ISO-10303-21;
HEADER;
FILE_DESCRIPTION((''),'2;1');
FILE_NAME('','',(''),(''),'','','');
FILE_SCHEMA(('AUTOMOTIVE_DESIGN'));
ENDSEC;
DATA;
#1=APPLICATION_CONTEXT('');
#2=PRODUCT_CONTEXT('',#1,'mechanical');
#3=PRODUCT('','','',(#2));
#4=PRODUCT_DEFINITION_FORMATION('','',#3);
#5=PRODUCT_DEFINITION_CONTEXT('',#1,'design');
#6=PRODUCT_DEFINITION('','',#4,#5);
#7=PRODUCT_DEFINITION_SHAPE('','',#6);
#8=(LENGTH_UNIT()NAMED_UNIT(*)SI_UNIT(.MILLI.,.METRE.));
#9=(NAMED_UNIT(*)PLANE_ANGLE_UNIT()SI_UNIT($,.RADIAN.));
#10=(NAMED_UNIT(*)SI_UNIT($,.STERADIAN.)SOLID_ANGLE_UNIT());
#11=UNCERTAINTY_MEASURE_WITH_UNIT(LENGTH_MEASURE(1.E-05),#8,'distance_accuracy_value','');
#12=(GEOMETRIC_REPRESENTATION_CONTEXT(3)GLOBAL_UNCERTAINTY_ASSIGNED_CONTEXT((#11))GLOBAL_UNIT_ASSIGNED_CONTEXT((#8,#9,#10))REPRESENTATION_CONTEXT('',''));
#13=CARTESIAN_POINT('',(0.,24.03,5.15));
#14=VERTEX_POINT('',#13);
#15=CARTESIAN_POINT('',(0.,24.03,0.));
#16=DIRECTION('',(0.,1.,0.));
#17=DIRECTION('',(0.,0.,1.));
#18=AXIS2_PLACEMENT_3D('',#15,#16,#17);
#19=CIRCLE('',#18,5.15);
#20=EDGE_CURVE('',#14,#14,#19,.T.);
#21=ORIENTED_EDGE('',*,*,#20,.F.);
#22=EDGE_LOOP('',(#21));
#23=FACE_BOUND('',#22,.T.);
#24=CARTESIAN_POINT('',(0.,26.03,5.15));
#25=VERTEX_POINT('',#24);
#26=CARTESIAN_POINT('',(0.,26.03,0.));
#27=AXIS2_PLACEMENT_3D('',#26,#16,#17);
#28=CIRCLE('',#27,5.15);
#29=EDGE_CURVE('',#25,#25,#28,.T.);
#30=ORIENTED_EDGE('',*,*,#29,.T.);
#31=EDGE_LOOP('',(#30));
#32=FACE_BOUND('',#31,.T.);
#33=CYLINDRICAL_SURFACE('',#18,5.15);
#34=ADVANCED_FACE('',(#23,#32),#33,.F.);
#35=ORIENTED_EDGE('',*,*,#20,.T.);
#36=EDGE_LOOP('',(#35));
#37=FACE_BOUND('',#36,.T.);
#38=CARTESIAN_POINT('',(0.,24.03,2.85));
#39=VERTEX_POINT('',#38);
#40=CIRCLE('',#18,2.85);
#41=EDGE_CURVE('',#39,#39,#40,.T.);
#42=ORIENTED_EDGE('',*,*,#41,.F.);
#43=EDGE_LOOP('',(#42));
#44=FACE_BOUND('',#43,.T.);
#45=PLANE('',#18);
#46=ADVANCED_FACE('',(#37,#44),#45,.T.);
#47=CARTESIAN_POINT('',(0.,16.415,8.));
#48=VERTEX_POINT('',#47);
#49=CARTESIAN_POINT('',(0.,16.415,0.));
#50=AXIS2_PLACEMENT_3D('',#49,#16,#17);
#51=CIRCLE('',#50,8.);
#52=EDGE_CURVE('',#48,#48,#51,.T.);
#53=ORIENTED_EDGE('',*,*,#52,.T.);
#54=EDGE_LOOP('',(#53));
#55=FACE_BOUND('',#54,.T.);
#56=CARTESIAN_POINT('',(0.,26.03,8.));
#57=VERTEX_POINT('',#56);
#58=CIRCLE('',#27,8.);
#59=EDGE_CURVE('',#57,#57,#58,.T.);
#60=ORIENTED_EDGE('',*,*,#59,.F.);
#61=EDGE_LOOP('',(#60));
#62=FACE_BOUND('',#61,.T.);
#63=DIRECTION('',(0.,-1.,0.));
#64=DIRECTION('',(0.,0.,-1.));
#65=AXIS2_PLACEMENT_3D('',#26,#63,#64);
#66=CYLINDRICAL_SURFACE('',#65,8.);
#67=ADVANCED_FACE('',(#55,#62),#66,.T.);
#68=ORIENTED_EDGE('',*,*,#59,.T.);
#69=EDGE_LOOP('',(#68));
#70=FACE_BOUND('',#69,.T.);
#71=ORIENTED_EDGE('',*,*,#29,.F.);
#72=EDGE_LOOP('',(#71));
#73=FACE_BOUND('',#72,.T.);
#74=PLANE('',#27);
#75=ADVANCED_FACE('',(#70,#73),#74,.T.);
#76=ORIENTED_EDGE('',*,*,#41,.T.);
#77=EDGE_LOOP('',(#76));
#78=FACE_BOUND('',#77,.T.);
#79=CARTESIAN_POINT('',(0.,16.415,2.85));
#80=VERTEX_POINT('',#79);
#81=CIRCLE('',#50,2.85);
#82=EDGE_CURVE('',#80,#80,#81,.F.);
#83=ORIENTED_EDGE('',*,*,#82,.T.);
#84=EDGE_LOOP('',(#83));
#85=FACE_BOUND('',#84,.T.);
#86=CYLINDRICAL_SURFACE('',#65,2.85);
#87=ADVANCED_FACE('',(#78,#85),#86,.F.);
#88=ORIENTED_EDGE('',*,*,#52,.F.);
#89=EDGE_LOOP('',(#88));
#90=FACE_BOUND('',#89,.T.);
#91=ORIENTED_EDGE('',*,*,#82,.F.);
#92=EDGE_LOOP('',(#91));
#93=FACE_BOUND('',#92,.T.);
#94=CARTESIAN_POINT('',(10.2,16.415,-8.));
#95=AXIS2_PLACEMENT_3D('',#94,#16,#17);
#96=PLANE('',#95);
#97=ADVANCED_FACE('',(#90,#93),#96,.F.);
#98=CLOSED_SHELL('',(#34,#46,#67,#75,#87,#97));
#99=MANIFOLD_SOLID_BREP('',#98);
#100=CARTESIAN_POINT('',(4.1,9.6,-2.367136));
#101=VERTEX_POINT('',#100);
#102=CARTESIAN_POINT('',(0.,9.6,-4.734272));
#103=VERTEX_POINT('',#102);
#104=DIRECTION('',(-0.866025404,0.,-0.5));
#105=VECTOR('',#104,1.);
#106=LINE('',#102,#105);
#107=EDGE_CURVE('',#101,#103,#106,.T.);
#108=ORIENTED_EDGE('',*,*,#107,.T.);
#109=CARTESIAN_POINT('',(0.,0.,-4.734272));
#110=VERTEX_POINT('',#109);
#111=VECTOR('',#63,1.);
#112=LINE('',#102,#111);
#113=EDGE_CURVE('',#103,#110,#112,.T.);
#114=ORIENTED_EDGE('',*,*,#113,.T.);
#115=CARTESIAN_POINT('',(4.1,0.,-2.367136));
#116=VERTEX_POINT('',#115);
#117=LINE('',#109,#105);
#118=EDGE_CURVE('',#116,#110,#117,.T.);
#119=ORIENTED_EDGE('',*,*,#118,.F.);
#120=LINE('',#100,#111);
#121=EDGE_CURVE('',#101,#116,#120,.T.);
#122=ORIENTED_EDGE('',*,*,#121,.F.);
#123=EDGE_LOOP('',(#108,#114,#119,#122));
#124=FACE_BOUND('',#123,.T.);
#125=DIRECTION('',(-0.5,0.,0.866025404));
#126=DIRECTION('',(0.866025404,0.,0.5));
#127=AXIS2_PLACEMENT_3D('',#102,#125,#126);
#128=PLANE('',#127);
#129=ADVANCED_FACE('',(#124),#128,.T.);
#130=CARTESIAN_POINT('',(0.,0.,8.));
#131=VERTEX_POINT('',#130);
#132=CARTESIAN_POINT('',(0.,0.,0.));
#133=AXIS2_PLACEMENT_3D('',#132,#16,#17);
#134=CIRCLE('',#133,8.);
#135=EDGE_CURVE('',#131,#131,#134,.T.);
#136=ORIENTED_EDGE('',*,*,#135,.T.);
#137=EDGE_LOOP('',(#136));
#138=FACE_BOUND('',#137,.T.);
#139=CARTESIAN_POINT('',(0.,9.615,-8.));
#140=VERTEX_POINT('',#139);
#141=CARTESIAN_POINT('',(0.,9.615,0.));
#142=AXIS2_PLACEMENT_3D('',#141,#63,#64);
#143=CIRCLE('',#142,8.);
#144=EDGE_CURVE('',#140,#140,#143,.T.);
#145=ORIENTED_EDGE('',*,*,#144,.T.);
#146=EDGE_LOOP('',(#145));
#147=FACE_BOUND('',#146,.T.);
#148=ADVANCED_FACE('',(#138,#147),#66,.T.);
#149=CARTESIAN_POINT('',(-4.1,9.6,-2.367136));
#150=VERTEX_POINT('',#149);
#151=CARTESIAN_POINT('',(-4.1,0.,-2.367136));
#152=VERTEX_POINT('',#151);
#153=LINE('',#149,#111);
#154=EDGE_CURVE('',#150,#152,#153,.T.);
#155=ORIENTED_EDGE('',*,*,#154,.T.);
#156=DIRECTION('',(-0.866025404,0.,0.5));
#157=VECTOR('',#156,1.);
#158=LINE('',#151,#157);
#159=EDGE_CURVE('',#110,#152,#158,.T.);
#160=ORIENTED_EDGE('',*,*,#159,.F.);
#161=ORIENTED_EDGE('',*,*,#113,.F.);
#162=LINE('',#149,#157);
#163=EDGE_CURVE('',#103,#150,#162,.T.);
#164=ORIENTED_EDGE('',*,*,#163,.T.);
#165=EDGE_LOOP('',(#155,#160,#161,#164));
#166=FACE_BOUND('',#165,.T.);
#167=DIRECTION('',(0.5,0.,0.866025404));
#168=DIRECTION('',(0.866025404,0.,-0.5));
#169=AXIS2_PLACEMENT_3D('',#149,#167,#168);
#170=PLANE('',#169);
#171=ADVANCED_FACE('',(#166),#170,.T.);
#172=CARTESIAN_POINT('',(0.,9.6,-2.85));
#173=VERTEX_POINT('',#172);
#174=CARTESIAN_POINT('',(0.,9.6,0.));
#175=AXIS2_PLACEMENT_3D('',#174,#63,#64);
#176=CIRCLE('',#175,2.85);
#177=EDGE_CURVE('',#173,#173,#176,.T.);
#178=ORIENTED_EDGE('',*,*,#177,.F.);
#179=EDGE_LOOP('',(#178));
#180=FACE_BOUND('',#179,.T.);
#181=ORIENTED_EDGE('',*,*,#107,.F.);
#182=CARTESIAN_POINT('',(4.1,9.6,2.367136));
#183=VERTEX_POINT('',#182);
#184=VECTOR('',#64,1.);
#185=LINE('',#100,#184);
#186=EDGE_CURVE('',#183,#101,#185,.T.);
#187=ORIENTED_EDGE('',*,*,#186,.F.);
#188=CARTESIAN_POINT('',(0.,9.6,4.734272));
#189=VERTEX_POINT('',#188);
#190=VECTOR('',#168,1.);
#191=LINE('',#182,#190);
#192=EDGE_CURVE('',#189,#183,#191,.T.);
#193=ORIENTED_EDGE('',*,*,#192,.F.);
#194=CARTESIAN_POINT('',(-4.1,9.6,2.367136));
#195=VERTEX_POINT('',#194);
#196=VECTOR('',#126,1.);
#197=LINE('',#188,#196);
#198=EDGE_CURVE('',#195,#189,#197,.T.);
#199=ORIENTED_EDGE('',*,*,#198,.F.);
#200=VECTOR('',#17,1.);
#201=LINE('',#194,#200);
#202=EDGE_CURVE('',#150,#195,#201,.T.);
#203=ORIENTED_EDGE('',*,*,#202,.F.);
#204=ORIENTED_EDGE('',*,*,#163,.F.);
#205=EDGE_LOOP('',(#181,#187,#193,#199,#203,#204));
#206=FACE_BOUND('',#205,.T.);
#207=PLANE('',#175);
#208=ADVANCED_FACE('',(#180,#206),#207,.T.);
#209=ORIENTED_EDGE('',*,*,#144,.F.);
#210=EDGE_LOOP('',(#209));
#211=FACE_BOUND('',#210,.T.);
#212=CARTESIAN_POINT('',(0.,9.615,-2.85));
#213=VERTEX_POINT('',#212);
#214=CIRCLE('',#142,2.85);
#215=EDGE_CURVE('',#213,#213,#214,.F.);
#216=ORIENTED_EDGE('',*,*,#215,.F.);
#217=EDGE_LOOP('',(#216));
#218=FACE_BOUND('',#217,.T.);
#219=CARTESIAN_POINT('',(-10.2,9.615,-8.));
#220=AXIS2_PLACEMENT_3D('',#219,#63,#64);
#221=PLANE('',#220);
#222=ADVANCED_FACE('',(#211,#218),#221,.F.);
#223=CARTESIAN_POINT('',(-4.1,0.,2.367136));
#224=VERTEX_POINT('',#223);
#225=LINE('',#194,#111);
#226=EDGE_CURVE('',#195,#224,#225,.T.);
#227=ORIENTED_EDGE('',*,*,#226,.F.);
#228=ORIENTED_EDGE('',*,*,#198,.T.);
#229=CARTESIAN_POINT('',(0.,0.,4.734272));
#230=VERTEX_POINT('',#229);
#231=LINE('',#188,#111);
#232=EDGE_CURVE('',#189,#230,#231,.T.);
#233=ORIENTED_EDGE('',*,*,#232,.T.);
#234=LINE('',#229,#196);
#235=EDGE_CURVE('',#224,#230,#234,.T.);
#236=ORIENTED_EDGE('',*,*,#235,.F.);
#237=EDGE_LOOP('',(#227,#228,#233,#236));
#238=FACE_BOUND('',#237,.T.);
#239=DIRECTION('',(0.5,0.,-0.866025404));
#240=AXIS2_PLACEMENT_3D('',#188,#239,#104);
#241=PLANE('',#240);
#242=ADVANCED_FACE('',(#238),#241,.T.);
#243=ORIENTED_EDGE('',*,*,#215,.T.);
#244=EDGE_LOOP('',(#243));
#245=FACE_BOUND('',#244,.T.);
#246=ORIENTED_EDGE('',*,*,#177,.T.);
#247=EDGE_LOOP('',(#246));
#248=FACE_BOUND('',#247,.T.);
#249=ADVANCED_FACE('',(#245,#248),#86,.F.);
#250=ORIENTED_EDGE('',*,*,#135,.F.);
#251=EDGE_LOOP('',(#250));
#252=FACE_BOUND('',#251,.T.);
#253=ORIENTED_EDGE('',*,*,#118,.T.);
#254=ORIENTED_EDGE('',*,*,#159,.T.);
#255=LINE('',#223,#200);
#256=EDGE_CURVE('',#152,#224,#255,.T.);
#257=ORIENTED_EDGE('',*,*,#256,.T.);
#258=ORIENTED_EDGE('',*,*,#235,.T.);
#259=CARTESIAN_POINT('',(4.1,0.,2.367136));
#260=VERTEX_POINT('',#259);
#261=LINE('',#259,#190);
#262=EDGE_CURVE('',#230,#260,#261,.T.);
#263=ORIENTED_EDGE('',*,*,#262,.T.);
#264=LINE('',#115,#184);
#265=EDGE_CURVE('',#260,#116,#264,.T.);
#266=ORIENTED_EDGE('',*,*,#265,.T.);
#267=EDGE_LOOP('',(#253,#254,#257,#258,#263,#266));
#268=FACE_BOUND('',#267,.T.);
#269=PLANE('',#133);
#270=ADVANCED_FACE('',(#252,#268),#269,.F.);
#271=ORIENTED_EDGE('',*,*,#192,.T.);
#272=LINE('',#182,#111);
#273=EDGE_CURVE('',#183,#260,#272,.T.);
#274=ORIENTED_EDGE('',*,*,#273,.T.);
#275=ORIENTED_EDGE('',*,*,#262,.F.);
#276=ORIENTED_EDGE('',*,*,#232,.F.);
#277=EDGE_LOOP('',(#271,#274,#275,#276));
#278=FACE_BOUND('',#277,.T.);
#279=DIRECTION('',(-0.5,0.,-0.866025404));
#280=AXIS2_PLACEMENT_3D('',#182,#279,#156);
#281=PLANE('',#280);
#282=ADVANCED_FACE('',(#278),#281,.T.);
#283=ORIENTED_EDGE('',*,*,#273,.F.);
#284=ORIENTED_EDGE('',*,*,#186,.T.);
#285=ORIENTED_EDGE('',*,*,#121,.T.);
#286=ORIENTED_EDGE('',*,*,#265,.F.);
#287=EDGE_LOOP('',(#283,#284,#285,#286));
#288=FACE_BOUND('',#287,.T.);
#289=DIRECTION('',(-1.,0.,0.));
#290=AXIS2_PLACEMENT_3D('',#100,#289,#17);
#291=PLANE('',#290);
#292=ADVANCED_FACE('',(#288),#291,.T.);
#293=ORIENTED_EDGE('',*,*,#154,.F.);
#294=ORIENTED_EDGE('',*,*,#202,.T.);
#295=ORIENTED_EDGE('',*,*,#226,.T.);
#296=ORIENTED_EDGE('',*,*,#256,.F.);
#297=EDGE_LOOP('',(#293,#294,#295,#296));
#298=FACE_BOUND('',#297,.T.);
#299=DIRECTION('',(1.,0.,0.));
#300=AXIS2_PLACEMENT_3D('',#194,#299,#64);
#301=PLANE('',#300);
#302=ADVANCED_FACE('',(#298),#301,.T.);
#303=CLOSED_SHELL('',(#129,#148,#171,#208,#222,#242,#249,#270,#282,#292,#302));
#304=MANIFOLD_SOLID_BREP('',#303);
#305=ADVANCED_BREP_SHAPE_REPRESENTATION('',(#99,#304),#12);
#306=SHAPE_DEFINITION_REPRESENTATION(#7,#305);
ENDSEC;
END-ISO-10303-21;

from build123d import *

# Parameters (mm, degrees)
SKETCH1_R               = 8
BOSS_EXTRUDE1_DEPTH     = 26.03
CUT_EXTRUDE1_DEPTH      = 29.382404761
CUT_EXTRUDE1_DEPTH_BACK = 29.382404761
SKETCH2_W               = 20.4
SKETCH2_H               = 6.8
SKETCH3_R               = 2.85
CUT_EXTRUDE2_DEPTH      = 26.03
SKETCH4_R               = 5.15
CUT_EXTRUDE3_DEPTH      = 2
CUT_EXTRUDE4_DEPTH      = 9.6


with BuildPart() as part:
    # Sketch1 → Boss-Extrude1 (new body)
    with BuildSketch(Plane(origin=(0, 0, 0), x_dir=(1, 0, 0), z_dir=(0, 1, 0))):
        with Locations(Location((0, 0, 0), (0, 0, 270))):
            Circle(SKETCH1_R)
    extrude(amount=BOSS_EXTRUDE1_DEPTH)

    # Sketch2 → Cut-Extrude1 (cut, two sides: drawn at the far end of the back side and taken through both)
    with BuildSketch(Plane.XY.offset(-CUT_EXTRUDE1_DEPTH_BACK)):
        with Locations((0, 13.015)):
            Rectangle(SKETCH2_W, SKETCH2_H)
    extrude(amount=CUT_EXTRUDE1_DEPTH + CUT_EXTRUDE1_DEPTH_BACK, mode=Mode.SUBTRACT)


with BuildPart() as cut_extrude1_piece_1:
    # of the separate pieces the step leaves, piece 1, a body of its own (cut_extrude1_pieces)
    add(part.part.solids().sort_by_distance((0, 16.415, 8))[0])


with BuildPart() as cut_extrude1_piece_2:
    # of the separate pieces the step leaves, piece 2, a body of its own (cut_extrude1_pieces)
    add(part.part.solids().sort_by_distance((0, 0, 8))[0])


with BuildPart() as cut_extrude2_tool:
    # Sketch3 → Cut-Extrude2 (new body)
    with BuildSketch(Plane(origin=(0, 0, 0), x_dir=(1, 0, 0), z_dir=(0, 1, 0))):
        with Locations(Location((0, 0, 0), (0, 0, 270))):
            Circle(SKETCH3_R)
    extrude(amount=CUT_EXTRUDE2_DEPTH)


with BuildPart() as cut_extrude1_piece_1_1:
    add(cut_extrude1_piece_1.part)

    # Cut-Extrude2: cut by cut_extrude2_tool
    add(cut_extrude2_tool.part, mode=Mode.SUBTRACT)

    # Sketch4 → Cut-Extrude3 (cut)
    with BuildSketch(Plane(origin=(0, 26.03, 0), x_dir=(1, 0, 0), z_dir=(0, 1, 0))):
        with Locations(Location((0, 0, 0), (0, 0, 270))):
            Circle(SKETCH4_R)
    extrude(amount=-CUT_EXTRUDE3_DEPTH, mode=Mode.SUBTRACT)


with BuildPart() as cut_extrude1_piece_2_1:
    add(cut_extrude1_piece_2.part)

    # Cut-Extrude2: cut by cut_extrude2_tool
    add(cut_extrude2_tool.part, mode=Mode.SUBTRACT)

    # Sketch5 → Cut-Extrude4 (cut)
    with BuildSketch(Plane(origin=(0, 0, 0), x_dir=(1, 0, 0), z_dir=(0, 1, 0))):
        Polygon((4.1, -2.367136104), (0, -4.734272207), (-4.1, -2.367136104), (-4.1, 2.367136104), (0, 4.734272207), (4.1, 2.367136104), align=None)
    extrude(amount=CUT_EXTRUDE4_DEPTH, mode=Mode.SUBTRACT)


solid = Compound([cut_extrude1_piece_1_1.part, cut_extrude1_piece_2_1.part])
